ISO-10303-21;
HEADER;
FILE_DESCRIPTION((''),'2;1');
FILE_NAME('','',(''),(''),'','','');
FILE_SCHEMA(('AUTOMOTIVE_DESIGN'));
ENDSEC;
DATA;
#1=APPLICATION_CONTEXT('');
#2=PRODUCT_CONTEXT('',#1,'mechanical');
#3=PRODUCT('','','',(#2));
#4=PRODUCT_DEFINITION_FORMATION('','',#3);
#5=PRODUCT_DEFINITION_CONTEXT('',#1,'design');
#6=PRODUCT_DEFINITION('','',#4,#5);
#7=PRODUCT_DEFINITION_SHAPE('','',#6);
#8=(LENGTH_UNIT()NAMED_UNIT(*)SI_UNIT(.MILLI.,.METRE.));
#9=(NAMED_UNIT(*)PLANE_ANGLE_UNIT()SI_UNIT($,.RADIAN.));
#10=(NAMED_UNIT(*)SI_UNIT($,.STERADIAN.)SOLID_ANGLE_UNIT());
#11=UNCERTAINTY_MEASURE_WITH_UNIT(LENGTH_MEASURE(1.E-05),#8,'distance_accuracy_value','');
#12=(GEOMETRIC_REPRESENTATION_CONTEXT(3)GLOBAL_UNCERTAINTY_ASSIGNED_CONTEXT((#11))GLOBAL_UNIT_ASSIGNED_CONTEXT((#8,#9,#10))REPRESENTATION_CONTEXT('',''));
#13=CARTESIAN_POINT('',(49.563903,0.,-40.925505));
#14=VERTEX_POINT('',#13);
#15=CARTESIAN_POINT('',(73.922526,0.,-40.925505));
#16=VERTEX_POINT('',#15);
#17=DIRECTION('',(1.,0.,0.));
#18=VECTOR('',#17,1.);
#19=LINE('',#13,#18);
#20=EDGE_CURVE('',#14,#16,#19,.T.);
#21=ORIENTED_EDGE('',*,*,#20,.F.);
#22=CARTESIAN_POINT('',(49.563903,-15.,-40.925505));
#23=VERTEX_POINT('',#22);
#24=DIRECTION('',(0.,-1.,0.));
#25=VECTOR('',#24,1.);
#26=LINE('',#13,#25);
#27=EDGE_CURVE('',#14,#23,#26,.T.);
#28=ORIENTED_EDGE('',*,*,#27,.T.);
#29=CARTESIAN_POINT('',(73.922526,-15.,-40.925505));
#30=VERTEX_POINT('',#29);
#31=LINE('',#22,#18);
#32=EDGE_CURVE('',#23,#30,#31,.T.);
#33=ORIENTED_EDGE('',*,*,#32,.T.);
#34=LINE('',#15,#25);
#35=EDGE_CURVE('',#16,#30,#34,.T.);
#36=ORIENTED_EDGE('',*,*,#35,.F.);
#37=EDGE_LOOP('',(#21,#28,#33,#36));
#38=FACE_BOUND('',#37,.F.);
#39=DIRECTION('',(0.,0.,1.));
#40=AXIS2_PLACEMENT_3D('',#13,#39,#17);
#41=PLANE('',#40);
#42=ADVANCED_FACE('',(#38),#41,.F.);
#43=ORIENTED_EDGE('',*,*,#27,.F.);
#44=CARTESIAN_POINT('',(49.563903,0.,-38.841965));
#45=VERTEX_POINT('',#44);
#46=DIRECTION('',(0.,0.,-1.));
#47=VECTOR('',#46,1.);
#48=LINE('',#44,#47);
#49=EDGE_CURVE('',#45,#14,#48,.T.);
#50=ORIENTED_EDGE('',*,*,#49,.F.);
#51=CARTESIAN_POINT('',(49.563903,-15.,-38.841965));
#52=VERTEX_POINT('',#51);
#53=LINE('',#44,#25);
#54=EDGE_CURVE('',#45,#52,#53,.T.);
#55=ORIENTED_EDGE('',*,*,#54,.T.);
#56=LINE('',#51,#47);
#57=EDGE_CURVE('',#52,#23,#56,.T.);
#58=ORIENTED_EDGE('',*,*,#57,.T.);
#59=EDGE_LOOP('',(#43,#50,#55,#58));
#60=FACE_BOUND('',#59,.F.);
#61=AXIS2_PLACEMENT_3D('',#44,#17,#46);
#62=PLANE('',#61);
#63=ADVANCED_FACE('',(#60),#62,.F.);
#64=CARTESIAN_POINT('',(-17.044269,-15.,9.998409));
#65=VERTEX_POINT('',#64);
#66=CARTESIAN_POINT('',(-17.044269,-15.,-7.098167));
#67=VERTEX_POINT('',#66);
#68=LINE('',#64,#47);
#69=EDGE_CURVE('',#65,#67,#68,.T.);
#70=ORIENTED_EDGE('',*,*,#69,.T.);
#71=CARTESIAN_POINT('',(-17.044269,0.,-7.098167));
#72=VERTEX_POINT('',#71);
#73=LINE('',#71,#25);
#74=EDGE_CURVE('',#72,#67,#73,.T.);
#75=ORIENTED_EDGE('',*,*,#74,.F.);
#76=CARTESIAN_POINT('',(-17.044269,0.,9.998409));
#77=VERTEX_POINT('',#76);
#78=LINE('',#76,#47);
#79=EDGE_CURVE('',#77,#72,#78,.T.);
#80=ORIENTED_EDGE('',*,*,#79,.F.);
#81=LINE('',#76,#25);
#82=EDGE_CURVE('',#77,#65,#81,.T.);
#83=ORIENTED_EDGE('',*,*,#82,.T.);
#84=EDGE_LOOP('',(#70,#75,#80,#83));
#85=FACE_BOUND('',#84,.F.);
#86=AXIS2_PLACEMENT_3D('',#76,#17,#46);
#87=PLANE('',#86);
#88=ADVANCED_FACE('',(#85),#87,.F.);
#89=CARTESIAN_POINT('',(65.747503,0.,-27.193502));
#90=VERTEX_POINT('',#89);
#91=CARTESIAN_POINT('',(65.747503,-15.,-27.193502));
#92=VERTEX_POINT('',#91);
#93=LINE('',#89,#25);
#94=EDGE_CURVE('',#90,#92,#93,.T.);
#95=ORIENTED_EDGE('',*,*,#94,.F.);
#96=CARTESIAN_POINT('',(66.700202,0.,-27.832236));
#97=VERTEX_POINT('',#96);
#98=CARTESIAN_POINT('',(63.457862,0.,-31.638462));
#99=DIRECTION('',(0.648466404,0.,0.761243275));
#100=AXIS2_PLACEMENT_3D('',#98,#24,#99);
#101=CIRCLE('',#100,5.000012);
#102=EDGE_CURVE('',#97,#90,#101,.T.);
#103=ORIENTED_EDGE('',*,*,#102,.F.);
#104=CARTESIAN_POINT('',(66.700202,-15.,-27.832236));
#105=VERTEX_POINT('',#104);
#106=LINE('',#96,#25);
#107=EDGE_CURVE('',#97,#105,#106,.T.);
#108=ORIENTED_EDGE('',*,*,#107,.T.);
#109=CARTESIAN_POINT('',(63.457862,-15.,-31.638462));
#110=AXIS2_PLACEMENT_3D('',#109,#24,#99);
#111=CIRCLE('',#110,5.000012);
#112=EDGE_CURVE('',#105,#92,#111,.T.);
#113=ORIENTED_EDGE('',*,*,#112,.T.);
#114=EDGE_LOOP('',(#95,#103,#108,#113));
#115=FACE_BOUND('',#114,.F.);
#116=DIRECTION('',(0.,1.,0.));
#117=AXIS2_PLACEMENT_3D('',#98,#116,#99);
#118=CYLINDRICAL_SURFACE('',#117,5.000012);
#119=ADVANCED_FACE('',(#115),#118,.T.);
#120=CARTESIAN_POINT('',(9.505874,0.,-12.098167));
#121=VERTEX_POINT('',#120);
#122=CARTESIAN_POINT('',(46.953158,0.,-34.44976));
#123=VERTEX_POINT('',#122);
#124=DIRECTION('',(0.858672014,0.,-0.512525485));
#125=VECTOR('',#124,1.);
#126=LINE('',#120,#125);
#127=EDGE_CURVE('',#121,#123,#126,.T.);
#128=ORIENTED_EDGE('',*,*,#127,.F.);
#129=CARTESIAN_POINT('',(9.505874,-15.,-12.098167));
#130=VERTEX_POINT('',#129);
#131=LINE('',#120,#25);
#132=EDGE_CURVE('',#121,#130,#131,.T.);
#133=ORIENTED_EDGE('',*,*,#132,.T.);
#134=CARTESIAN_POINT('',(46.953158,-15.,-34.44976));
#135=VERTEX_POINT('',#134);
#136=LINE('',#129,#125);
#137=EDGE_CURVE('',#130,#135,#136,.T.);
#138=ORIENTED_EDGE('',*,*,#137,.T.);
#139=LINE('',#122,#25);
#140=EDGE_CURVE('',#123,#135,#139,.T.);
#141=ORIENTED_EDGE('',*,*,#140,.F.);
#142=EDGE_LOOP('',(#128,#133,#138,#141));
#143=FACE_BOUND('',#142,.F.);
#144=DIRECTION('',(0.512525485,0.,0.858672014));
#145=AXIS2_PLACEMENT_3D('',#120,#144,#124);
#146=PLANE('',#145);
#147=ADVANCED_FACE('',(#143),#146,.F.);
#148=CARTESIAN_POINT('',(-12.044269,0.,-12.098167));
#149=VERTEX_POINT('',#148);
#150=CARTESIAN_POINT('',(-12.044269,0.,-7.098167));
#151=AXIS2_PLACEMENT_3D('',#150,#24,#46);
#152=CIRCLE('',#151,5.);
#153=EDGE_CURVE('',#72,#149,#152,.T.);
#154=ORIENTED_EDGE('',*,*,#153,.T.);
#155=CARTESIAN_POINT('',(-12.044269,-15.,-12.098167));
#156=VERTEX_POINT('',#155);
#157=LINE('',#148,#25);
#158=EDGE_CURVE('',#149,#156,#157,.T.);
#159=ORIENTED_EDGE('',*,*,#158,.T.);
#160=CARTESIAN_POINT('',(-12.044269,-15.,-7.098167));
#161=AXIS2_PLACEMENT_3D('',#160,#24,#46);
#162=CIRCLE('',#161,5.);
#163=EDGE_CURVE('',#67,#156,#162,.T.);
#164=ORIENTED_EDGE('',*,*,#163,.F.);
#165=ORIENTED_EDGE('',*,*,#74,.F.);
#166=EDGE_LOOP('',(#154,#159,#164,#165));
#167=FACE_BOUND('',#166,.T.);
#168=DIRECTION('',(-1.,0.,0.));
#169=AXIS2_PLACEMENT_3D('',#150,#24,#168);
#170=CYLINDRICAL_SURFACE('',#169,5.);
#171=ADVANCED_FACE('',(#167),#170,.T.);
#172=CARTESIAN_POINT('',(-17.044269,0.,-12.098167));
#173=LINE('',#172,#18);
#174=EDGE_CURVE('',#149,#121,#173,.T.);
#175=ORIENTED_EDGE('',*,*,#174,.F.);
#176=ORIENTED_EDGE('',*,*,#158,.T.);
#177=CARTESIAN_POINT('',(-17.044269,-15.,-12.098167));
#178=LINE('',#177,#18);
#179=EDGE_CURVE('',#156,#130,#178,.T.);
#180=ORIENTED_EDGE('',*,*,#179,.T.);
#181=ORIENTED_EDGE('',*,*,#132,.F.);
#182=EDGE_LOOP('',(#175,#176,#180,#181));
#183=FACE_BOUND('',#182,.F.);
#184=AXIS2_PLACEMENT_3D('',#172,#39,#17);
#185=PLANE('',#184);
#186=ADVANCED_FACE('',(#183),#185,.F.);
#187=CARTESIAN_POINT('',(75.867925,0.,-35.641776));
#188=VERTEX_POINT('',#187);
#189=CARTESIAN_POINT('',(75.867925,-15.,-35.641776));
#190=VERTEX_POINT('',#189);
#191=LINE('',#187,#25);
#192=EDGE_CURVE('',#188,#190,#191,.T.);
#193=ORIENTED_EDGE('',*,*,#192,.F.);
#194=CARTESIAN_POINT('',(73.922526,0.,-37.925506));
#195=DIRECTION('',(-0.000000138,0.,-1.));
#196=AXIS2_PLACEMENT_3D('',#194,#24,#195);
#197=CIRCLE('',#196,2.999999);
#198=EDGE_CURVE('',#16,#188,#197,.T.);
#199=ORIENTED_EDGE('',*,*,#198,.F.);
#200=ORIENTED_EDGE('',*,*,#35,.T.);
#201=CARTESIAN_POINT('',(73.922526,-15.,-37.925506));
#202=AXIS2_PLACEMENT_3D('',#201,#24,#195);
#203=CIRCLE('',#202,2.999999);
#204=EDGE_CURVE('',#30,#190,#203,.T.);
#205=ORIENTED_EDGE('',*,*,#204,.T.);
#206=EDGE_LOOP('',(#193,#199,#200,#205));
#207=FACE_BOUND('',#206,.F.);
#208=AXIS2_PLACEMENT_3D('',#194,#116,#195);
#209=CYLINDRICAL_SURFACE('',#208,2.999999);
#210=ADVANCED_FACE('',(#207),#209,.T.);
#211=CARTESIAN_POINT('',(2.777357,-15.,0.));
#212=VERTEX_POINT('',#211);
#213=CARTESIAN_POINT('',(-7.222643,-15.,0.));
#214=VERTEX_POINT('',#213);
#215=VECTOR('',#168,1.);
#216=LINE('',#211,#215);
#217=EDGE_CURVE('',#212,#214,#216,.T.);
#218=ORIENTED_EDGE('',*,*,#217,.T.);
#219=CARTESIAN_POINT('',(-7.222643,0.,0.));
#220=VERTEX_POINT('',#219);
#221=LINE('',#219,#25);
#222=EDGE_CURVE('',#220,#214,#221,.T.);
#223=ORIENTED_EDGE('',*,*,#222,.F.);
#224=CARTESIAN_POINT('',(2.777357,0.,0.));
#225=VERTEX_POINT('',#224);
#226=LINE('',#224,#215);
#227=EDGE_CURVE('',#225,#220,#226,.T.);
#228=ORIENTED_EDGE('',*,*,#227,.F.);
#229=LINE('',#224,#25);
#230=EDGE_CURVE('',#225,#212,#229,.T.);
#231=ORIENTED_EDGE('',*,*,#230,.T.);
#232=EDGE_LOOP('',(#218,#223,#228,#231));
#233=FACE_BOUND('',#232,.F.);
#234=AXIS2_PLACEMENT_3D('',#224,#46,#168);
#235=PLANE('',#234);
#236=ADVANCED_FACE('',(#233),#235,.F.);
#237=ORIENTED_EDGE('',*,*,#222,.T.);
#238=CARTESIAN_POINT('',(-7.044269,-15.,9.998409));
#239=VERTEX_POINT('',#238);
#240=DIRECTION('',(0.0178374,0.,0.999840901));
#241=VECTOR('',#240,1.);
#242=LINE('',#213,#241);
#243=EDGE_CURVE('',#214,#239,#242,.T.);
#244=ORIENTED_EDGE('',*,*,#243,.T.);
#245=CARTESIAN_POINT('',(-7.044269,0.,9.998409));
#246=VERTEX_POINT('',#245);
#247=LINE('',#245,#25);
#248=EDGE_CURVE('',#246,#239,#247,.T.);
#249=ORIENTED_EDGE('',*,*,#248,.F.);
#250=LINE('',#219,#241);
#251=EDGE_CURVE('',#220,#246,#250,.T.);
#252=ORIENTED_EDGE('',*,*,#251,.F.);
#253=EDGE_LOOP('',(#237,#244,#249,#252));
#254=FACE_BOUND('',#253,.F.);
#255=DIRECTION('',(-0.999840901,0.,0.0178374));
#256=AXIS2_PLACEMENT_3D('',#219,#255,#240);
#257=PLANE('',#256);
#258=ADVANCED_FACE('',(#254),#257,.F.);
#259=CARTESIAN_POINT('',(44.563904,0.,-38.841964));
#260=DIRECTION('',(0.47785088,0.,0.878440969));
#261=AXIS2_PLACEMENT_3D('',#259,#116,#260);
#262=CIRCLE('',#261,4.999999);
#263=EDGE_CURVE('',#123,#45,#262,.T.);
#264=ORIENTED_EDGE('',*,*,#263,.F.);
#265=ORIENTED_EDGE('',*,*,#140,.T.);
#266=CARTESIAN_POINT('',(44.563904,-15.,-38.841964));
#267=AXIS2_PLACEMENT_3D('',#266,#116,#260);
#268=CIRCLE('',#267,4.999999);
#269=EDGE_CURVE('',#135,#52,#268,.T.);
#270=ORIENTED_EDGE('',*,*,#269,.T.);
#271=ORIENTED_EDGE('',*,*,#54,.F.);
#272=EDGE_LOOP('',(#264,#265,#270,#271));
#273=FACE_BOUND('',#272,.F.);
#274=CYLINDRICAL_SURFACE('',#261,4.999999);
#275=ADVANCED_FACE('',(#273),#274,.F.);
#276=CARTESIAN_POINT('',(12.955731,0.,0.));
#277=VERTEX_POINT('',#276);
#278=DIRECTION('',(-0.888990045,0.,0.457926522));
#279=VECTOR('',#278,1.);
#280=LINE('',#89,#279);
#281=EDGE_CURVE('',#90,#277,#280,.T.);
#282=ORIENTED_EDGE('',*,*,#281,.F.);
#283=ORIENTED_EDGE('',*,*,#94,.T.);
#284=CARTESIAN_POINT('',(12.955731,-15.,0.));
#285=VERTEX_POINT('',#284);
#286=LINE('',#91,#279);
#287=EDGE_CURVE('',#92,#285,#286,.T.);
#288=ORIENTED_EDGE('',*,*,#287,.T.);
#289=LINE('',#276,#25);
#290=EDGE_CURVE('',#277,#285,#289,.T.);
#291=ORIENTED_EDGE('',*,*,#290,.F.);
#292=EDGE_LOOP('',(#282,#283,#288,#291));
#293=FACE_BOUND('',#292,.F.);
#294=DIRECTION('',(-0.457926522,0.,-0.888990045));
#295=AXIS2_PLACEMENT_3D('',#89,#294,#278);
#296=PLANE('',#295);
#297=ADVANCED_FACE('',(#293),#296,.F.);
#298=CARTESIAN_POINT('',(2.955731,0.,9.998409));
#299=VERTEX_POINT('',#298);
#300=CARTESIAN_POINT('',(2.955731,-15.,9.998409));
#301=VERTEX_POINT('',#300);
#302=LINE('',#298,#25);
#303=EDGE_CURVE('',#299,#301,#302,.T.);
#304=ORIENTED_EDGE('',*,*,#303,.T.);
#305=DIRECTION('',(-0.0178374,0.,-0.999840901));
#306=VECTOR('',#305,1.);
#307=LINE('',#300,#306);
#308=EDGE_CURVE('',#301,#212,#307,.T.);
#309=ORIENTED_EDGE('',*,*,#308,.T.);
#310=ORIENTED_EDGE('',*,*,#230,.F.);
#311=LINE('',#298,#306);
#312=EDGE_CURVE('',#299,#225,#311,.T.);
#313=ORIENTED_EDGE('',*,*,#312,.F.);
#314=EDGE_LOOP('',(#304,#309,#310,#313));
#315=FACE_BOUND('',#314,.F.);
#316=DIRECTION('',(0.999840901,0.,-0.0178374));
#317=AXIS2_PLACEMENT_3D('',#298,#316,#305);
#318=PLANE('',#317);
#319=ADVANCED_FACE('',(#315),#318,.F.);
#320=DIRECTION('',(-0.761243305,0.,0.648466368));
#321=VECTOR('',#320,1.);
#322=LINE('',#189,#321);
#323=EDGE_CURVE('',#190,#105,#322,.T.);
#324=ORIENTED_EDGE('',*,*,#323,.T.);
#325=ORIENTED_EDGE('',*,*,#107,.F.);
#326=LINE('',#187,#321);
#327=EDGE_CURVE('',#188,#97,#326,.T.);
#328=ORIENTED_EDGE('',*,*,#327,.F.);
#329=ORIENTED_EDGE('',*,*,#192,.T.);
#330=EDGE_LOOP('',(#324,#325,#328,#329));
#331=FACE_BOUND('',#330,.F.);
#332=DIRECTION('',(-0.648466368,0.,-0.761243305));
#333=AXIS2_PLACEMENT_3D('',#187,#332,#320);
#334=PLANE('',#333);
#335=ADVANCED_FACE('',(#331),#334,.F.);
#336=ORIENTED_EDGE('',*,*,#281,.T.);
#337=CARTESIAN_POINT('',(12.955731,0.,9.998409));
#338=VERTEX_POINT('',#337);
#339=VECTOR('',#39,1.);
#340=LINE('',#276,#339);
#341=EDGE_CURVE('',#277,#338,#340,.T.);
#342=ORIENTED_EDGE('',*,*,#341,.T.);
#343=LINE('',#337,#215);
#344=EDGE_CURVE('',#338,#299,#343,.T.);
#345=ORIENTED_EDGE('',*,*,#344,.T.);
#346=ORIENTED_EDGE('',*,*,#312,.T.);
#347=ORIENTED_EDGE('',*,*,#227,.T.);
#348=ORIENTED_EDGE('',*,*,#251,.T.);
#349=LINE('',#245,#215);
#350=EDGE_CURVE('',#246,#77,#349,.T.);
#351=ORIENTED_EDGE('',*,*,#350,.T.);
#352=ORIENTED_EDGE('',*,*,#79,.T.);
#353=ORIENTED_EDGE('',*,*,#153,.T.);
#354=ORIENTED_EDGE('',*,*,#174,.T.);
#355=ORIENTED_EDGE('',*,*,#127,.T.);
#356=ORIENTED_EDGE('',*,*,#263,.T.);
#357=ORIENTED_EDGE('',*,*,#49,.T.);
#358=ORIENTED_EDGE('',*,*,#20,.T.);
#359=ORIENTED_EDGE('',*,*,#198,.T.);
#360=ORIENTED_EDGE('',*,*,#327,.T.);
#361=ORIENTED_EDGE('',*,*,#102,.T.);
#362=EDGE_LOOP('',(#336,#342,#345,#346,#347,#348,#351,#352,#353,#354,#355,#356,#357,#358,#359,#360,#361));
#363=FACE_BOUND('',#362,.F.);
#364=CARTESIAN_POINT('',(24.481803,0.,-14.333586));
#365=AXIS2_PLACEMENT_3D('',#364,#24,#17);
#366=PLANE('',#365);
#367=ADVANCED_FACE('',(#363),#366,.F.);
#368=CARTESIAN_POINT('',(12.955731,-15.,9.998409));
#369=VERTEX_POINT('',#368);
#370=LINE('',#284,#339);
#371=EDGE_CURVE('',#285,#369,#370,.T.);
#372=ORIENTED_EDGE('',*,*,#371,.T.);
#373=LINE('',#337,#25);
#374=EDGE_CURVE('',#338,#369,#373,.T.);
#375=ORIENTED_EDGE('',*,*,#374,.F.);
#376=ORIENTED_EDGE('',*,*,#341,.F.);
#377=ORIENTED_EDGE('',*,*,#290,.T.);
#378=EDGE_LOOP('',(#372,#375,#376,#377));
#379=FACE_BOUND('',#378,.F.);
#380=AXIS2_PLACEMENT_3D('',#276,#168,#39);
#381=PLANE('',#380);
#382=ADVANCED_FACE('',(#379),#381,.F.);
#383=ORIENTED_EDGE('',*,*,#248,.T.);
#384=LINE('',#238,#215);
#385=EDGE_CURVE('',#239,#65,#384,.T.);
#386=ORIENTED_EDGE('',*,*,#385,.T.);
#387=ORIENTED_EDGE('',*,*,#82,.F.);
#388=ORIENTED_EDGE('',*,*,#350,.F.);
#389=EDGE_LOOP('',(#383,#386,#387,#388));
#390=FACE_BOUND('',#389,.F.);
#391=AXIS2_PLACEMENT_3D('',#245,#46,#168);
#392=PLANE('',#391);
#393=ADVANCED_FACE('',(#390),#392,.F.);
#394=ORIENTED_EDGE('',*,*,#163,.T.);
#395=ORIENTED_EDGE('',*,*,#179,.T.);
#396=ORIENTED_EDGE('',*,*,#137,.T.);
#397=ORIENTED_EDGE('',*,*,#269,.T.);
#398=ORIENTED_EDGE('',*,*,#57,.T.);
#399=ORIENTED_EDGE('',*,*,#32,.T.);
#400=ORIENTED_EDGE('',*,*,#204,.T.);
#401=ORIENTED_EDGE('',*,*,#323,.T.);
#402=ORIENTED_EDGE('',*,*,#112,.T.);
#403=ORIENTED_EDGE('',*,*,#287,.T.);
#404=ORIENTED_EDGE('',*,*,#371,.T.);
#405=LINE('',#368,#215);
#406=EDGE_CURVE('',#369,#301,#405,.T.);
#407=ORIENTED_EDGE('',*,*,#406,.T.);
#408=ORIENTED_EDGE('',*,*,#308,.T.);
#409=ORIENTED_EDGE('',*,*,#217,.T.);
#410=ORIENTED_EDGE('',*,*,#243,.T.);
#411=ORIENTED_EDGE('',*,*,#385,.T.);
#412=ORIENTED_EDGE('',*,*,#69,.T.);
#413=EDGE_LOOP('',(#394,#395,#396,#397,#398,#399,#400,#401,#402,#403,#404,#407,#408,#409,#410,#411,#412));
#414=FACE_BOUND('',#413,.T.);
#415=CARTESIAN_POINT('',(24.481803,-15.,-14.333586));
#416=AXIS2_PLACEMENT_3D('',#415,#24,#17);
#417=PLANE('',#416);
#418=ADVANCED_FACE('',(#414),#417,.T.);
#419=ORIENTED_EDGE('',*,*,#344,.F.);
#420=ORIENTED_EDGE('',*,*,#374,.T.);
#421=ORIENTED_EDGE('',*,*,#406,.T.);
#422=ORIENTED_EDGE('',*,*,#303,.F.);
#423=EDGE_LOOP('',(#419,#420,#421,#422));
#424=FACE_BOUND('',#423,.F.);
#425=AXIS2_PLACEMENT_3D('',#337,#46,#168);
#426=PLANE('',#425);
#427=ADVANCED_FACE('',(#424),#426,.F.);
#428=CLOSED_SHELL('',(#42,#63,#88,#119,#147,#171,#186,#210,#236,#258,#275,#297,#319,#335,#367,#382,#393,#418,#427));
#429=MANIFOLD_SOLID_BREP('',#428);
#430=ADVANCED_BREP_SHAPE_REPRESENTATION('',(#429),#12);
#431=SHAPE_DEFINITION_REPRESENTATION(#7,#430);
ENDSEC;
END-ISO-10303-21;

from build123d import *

# Parameters (mm, degrees)
F1_DEPTH = 15
F2_R     = 5


with BuildPart() as f1:
    # F0 (on Front) → F1 (new body)
    with BuildSketch(Plane.XZ):
        with BuildLine():
            Line((65.747503, -27.193502), (12.955731, 0))
            Line((12.955731, 0), (12.955731, 9.998409))
            Line((12.955731, 9.998409), (2.955731, 9.998409))
            Line((2.955731, 9.998409), (2.777357, 0))
            Line((2.777357, 0), (-7.222643, 0))
            Line((-7.222643, 0), (-7.044269, 9.998409))
            Line((-7.044269, 9.998409), (-17.044269, 9.998409))
            Line((-17.044269, 9.998409), (-17.044269, 0))
            Line((-17.044269, 0), (-17.044269, -12.098167))
            Line((-17.044269, -12.098167), (9.505874, -12.098167))
            Line((9.505874, -12.098167), (46.953158, -34.44976))
            ThreePointArc((46.953158, -34.44976), (48.861942, -36.287192), (49.563903, -38.841965))
            Line((49.563903, -38.841965), (49.563903, -40.925505))
            Line((49.563903, -40.925505), (73.922526, -40.925505))
            ThreePointArc((73.922526, -40.925505), (76.737769, -38.962041), (75.867925, -35.641776))
            Line((75.867925, -35.641776), (66.700202, -27.832236))
            ThreePointArc((66.700202, -27.832236), (66.242229, -27.48546), (65.747503, -27.193502))
        make_face()
    extrude(amount=F1_DEPTH)

    # F2
    f2_edges = [f1.edges().sort_by_distance(p)[0] for p in [
        (-17.044269, -7.5, -12.098167),
    ]]
    fillet(f2_edges, radius=F2_R)


solid = f1.part
